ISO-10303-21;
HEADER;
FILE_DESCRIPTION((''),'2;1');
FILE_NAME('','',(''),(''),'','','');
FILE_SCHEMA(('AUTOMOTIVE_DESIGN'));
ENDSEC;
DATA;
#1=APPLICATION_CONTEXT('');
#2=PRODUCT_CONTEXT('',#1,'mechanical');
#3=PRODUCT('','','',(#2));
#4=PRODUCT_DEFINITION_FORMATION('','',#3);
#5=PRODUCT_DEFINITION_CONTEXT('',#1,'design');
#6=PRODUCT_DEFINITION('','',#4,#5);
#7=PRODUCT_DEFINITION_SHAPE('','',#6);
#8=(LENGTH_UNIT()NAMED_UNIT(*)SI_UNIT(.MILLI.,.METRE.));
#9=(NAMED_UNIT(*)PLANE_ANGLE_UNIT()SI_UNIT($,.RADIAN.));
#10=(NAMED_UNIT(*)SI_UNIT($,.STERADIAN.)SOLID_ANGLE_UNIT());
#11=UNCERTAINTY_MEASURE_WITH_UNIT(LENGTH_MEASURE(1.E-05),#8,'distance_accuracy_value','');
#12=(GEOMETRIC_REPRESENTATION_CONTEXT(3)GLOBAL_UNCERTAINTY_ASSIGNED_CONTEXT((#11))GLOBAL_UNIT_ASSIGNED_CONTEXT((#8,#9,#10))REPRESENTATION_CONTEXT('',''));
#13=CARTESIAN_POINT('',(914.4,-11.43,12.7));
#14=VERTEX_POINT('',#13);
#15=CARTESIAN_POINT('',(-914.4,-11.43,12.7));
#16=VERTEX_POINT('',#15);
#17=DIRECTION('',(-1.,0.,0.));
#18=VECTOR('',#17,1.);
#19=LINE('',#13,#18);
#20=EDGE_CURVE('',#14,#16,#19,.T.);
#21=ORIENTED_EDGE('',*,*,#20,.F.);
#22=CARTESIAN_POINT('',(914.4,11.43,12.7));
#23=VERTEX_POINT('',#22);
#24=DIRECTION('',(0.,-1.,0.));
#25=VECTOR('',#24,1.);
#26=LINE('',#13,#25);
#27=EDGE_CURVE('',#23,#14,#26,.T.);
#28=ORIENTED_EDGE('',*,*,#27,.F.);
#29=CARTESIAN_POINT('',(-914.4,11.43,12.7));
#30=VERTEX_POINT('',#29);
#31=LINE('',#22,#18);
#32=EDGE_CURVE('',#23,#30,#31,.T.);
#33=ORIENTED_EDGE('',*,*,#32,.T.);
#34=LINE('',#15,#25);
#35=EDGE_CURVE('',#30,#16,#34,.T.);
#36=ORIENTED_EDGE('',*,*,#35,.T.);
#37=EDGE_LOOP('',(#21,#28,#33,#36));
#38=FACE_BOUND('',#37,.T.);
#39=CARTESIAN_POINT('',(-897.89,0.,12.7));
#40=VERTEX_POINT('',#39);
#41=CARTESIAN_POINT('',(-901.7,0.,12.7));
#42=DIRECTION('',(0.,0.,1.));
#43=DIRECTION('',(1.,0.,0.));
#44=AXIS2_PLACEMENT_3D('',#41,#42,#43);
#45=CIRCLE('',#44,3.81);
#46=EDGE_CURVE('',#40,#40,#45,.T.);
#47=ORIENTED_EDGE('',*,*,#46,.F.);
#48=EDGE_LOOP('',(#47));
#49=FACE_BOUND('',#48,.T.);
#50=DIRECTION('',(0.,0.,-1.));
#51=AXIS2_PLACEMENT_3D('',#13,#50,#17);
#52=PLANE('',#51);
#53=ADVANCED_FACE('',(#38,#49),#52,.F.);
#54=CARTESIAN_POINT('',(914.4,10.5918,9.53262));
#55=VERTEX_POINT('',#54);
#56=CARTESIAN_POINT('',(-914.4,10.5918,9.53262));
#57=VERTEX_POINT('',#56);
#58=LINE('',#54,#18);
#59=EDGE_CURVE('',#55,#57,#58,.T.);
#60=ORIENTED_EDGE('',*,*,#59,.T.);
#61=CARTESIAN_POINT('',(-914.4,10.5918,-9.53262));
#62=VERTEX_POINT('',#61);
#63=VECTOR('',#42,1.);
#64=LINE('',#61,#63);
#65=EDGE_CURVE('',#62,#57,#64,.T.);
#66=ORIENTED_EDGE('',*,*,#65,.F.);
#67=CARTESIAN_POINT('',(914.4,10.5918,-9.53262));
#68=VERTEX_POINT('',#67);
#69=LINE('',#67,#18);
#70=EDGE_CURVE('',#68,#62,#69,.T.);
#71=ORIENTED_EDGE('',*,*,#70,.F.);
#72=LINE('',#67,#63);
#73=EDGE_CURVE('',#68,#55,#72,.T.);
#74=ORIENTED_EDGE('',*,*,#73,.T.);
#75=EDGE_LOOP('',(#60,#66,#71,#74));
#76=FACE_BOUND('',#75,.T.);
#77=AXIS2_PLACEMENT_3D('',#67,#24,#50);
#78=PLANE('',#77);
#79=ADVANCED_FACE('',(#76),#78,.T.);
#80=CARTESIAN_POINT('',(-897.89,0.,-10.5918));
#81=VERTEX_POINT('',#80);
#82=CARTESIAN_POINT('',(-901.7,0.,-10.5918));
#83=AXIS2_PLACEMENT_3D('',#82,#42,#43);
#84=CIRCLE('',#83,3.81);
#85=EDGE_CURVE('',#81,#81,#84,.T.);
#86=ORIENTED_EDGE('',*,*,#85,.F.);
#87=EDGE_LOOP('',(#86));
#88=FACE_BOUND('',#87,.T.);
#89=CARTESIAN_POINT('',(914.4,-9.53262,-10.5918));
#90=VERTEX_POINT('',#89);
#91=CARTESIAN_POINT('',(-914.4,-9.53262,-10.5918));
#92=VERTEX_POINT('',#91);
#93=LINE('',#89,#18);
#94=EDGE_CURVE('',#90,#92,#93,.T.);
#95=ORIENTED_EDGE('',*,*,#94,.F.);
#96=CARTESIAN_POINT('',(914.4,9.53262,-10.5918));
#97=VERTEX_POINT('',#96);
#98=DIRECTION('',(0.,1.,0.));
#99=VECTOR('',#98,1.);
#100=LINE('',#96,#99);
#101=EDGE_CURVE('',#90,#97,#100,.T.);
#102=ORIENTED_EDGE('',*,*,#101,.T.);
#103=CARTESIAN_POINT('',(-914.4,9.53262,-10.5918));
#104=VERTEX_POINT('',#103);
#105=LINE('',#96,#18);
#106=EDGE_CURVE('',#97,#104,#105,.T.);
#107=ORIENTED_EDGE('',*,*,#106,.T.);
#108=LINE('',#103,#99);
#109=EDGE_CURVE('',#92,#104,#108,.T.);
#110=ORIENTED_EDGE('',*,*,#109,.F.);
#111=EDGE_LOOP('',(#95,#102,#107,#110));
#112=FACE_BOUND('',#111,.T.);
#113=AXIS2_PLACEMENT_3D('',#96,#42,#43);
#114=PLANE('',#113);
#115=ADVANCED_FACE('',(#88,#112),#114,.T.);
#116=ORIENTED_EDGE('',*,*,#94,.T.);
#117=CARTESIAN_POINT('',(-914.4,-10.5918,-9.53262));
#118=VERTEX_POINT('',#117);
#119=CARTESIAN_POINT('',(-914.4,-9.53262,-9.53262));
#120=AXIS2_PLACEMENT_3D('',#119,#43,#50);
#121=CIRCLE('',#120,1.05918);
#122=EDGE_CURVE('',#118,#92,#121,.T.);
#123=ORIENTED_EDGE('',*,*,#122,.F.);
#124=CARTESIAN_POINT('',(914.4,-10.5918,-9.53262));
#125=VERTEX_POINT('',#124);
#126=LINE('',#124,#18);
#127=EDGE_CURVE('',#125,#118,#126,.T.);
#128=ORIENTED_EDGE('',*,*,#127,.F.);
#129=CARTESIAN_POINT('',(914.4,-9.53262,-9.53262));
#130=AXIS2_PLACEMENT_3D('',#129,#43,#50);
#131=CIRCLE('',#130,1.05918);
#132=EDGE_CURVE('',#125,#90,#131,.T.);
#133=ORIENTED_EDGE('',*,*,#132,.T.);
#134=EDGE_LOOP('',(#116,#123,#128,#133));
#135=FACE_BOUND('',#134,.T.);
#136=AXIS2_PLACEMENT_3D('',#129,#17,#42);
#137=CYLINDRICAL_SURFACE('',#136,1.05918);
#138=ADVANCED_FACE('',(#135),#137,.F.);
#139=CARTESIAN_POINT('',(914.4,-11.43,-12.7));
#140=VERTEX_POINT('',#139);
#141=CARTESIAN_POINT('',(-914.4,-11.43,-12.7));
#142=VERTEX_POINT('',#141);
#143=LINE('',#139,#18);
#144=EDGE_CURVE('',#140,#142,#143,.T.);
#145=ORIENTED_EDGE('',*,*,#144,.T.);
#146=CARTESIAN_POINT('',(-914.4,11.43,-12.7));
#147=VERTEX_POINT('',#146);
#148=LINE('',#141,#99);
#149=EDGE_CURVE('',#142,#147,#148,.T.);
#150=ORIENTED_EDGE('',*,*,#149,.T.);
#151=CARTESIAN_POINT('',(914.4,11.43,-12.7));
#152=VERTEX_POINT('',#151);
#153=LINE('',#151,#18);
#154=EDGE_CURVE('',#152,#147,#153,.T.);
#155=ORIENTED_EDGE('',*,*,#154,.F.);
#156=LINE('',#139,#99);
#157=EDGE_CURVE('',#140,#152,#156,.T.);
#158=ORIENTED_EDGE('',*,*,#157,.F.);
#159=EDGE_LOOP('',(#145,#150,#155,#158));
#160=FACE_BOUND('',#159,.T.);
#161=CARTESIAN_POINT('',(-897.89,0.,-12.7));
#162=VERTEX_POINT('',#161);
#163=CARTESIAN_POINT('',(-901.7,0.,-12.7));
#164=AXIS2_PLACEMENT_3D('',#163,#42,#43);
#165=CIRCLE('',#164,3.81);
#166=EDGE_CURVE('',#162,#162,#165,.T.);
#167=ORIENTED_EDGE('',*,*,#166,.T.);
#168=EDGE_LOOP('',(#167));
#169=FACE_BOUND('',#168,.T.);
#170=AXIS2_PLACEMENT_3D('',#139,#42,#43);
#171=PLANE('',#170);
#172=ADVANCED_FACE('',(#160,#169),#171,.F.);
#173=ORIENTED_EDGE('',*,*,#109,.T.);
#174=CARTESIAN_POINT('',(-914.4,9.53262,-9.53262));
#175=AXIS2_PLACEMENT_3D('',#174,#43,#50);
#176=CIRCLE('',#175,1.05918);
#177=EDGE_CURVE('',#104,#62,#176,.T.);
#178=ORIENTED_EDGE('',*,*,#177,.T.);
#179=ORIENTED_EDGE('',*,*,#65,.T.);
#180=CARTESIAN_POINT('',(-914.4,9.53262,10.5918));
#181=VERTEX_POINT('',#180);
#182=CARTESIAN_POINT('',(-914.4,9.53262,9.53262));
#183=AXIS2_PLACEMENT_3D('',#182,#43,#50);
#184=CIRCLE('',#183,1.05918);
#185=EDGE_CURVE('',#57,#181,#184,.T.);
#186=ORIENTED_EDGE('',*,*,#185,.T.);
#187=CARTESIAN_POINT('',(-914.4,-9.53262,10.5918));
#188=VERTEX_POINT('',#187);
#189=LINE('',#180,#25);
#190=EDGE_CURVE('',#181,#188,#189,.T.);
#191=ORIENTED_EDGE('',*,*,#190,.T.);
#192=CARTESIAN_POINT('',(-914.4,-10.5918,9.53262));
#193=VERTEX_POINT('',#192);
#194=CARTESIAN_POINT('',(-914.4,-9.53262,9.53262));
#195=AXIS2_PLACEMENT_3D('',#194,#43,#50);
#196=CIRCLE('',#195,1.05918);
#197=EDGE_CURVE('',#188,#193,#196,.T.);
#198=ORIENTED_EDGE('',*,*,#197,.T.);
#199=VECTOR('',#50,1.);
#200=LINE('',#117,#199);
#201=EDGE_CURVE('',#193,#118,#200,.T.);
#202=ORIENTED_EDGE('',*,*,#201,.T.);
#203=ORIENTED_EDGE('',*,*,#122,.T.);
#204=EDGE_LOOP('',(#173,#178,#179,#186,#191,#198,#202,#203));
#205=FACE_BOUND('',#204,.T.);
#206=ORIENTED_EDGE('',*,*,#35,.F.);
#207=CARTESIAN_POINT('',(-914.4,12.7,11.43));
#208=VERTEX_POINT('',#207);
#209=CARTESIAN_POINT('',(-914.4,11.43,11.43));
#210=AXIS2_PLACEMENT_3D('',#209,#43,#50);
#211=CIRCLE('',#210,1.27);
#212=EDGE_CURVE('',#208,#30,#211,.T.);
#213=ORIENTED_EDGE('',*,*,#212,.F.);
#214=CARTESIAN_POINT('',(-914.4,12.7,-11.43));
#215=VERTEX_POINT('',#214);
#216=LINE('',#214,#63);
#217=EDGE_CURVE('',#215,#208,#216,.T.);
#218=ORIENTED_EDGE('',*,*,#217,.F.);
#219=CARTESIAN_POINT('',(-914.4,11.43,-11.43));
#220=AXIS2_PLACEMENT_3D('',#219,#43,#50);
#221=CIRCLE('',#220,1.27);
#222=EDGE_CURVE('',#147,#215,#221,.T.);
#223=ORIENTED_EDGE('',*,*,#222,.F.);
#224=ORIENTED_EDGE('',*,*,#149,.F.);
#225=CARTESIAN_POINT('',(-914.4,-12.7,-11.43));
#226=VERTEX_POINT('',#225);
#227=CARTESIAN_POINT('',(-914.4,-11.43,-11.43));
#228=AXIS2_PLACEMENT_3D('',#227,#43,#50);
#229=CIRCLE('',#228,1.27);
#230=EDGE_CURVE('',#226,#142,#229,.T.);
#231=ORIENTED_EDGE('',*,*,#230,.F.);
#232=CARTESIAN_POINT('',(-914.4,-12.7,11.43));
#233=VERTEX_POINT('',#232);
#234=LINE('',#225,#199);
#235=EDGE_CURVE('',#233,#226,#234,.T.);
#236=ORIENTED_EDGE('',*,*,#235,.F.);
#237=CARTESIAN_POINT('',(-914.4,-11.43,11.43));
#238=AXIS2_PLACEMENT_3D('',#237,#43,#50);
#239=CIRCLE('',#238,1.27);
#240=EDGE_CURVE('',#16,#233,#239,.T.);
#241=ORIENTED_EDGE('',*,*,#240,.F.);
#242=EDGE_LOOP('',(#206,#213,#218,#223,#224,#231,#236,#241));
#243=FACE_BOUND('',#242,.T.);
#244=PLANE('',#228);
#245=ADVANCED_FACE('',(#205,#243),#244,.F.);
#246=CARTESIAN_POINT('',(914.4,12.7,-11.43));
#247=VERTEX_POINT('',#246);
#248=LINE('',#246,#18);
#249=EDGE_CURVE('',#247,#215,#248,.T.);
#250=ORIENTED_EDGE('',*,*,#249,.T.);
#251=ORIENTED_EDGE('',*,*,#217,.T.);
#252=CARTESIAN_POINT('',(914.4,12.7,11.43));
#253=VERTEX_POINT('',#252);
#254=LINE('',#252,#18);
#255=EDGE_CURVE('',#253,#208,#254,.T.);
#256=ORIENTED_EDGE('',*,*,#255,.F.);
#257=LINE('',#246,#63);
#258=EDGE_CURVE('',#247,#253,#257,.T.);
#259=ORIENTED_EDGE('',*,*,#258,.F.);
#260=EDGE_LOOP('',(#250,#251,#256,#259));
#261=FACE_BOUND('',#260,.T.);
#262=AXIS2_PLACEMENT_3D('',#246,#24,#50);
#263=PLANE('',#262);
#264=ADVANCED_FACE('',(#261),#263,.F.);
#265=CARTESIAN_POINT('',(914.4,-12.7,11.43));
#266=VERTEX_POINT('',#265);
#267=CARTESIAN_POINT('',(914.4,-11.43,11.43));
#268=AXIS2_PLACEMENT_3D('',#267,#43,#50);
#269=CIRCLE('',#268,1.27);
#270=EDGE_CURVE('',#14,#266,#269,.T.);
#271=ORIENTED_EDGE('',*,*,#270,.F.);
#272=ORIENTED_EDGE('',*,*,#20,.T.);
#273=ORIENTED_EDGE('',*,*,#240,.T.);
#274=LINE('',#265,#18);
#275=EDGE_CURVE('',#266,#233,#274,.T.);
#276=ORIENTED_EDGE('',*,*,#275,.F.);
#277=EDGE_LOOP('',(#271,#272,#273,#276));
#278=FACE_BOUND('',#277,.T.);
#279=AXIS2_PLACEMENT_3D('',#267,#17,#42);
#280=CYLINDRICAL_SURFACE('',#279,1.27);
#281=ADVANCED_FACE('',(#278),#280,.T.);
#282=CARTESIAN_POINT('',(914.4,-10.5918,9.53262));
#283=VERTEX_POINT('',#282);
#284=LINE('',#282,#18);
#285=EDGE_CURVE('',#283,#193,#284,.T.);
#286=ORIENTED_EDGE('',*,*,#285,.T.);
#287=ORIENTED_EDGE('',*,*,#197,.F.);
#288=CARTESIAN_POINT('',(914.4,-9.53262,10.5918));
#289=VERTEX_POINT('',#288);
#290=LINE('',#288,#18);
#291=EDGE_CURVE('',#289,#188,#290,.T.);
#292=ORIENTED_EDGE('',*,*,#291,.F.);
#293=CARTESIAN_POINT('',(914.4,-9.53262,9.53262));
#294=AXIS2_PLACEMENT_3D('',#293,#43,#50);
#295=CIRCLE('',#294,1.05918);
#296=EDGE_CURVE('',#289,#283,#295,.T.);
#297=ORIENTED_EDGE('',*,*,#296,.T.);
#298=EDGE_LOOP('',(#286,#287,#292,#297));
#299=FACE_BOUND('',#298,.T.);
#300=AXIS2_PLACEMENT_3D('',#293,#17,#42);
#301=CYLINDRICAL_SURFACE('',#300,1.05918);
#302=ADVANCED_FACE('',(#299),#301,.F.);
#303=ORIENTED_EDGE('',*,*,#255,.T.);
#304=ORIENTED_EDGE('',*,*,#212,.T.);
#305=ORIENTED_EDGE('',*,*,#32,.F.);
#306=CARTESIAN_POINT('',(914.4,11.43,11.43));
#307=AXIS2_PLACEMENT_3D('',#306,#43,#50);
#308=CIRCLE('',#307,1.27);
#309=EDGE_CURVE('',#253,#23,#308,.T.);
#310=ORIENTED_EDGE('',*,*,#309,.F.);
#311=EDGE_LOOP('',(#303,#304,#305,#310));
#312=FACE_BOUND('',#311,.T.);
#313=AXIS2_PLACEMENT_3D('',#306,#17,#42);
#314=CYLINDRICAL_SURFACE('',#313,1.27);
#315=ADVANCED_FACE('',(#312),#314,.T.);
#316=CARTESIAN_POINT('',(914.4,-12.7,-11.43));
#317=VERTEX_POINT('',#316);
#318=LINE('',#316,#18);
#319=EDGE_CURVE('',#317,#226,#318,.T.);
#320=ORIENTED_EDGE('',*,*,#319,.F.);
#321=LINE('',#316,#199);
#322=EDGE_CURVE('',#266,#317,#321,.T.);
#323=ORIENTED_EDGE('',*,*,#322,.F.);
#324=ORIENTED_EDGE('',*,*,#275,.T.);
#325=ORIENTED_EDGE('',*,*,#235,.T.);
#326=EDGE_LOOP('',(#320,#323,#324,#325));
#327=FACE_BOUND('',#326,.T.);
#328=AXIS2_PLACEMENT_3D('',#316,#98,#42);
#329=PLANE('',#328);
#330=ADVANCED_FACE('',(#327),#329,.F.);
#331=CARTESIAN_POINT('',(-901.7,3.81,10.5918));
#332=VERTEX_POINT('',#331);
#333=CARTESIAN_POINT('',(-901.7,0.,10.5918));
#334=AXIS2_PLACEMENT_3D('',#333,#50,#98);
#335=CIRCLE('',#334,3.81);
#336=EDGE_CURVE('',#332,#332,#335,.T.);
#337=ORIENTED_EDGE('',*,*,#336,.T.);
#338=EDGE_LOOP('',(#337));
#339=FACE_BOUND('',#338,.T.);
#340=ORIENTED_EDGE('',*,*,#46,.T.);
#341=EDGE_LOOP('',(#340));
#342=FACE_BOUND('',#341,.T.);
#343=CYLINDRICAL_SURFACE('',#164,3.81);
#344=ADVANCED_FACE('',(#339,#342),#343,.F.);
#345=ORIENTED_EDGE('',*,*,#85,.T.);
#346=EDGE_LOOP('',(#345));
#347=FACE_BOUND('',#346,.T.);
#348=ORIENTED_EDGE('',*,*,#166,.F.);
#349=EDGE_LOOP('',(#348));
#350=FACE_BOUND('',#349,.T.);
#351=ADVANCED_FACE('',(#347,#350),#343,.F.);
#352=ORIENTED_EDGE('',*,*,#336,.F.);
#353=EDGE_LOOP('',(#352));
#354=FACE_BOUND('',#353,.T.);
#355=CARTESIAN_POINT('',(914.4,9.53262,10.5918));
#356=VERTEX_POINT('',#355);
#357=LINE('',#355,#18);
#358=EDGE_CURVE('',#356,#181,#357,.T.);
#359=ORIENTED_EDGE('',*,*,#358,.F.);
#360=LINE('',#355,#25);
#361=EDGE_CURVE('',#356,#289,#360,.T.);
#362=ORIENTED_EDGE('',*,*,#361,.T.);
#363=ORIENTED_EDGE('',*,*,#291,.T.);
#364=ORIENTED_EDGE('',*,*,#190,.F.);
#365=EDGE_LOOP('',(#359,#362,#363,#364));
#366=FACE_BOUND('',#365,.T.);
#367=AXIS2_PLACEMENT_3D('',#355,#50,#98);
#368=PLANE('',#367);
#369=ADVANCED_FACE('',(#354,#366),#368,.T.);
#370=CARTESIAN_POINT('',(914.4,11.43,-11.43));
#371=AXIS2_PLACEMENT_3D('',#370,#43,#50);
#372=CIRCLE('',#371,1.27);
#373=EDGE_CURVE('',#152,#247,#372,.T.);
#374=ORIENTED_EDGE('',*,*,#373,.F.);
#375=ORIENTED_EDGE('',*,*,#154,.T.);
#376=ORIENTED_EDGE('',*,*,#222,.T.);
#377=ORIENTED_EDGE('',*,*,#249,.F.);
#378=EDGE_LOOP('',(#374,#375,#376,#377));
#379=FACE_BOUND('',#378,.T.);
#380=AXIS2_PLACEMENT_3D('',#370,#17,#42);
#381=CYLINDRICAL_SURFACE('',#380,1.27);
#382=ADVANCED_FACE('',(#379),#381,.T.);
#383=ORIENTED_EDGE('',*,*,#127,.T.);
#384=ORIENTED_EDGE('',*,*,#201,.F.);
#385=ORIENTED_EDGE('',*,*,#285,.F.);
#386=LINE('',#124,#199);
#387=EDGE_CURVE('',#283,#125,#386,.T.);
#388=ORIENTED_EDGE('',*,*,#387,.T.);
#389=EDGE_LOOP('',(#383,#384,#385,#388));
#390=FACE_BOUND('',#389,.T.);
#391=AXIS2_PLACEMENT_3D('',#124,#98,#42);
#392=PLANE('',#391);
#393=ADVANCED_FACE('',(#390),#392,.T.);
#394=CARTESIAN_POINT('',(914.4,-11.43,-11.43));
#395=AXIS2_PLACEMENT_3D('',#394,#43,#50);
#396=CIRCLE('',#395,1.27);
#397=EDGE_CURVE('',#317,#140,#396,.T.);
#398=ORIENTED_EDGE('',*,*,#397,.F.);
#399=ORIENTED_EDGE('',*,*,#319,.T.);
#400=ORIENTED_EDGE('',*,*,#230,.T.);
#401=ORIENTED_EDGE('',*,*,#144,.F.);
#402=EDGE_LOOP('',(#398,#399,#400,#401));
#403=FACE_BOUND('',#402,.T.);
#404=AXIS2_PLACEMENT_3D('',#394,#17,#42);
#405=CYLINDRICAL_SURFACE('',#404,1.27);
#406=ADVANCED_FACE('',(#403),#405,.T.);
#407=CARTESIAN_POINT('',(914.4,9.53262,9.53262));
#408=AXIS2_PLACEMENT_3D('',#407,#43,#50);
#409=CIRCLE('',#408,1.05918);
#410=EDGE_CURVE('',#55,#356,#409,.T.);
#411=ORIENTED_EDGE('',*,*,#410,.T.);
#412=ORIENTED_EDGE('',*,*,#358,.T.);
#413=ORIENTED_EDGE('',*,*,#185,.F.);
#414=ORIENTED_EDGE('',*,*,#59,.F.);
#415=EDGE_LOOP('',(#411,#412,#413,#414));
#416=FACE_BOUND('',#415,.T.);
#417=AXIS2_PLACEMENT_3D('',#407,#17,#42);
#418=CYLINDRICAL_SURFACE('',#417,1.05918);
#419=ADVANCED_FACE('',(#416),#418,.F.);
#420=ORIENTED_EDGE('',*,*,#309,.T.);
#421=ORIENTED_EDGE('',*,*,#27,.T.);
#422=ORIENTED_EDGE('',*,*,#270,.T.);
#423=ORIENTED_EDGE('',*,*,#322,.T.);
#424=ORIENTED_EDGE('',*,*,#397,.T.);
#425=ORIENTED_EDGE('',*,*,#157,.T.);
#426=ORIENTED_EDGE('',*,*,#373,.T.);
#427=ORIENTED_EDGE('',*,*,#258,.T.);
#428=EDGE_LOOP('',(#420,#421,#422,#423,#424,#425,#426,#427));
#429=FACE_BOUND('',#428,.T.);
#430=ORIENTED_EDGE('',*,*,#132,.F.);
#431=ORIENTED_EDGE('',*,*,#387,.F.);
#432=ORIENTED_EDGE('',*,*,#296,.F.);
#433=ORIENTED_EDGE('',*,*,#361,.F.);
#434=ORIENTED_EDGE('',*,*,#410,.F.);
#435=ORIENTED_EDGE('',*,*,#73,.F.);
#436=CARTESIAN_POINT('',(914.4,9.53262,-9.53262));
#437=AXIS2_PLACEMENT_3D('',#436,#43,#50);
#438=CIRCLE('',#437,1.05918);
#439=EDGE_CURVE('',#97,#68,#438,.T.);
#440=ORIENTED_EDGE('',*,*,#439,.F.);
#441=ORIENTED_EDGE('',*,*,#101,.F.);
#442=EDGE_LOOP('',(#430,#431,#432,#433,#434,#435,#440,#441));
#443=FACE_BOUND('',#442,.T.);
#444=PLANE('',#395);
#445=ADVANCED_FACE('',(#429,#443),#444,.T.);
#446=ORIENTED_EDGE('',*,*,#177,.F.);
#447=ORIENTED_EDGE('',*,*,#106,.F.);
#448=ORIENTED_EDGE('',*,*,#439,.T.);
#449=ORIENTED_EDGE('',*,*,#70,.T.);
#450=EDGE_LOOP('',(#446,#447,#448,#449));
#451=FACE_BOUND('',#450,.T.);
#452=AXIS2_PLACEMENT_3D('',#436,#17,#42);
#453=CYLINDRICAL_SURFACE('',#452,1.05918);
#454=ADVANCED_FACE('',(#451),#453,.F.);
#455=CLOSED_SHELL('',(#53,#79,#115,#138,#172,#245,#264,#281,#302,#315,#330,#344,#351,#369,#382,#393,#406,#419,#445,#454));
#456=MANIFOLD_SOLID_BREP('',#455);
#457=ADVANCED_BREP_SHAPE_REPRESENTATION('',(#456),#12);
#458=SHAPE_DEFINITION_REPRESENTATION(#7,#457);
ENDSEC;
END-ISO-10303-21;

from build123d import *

# Parameters (mm, degrees)
BOSS_EXTRUDE1_DEPTH      = 914.4
BOSS_EXTRUDE1_DEPTH_BACK = 914.4
SKETCH5_R                = 3.81
CUT_EXTRUDE1_DEPTH       = 915.840865943


with BuildPart() as part:
    # Sketch4 → Boss-Extrude1 (new, two sides: drawn at the far end of the back side and taken through both)
    with BuildSketch(Plane(origin=(0, 0, 0), x_dir=(0, 0, -1), z_dir=(1, 0, 0)).offset(-BOSS_EXTRUDE1_DEPTH_BACK)):
        with BuildLine():
            Line((12.7, -11.43), (12.7, 11.43))
            ThreePointArc((12.7, 11.43), (12.328025612, 12.328025612), (11.43, 12.7))
            Line((11.43, 12.7), (-11.43, 12.7))
            ThreePointArc((-11.43, 12.7), (-12.328025612, 12.328025612), (-12.7, 11.43))
            Line((-12.7, 11.43), (-12.7, -11.43))
            ThreePointArc((-12.7, -11.43), (-12.328025612, -12.328025612), (-11.43, -12.7))
            Line((-11.43, -12.7), (11.43, -12.7))
            ThreePointArc((11.43, -12.7), (12.328025612, -12.328025612), (12.7, -11.43))
        make_face()
        with BuildLine():
            Line((10.5918, 9.53262), (10.5918, -9.53262))
            ThreePointArc((10.5918, -9.53262), (10.28157336, -10.28157336), (9.53262, -10.5918))
            Line((9.53262, -10.5918), (-9.53262, -10.5918))
            ThreePointArc((-9.53262, -10.5918), (-10.28157336, -10.28157336), (-10.5918, -9.53262))
            Line((-10.5918, -9.53262), (-10.5918, 9.53262))
            ThreePointArc((-10.5918, 9.53262), (-10.28157336, 10.28157336), (-9.53262, 10.5918))
            Line((-9.53262, 10.5918), (9.53262, 10.5918))
            ThreePointArc((9.53262, 10.5918), (10.28157336, 10.28157336), (10.5918, 9.53262))
        make_face(mode=Mode.SUBTRACT)
    extrude(amount=BOSS_EXTRUDE1_DEPTH + BOSS_EXTRUDE1_DEPTH_BACK)

    # Sketch5 → Cut-Extrude1 (cut, through all)
    with BuildSketch(Plane.XY.offset(12.7)):
        with Locations((-901.7, 0)):
            Circle(SKETCH5_R)
    extrude(amount=-CUT_EXTRUDE1_DEPTH, mode=Mode.SUBTRACT)


solid = part.part
